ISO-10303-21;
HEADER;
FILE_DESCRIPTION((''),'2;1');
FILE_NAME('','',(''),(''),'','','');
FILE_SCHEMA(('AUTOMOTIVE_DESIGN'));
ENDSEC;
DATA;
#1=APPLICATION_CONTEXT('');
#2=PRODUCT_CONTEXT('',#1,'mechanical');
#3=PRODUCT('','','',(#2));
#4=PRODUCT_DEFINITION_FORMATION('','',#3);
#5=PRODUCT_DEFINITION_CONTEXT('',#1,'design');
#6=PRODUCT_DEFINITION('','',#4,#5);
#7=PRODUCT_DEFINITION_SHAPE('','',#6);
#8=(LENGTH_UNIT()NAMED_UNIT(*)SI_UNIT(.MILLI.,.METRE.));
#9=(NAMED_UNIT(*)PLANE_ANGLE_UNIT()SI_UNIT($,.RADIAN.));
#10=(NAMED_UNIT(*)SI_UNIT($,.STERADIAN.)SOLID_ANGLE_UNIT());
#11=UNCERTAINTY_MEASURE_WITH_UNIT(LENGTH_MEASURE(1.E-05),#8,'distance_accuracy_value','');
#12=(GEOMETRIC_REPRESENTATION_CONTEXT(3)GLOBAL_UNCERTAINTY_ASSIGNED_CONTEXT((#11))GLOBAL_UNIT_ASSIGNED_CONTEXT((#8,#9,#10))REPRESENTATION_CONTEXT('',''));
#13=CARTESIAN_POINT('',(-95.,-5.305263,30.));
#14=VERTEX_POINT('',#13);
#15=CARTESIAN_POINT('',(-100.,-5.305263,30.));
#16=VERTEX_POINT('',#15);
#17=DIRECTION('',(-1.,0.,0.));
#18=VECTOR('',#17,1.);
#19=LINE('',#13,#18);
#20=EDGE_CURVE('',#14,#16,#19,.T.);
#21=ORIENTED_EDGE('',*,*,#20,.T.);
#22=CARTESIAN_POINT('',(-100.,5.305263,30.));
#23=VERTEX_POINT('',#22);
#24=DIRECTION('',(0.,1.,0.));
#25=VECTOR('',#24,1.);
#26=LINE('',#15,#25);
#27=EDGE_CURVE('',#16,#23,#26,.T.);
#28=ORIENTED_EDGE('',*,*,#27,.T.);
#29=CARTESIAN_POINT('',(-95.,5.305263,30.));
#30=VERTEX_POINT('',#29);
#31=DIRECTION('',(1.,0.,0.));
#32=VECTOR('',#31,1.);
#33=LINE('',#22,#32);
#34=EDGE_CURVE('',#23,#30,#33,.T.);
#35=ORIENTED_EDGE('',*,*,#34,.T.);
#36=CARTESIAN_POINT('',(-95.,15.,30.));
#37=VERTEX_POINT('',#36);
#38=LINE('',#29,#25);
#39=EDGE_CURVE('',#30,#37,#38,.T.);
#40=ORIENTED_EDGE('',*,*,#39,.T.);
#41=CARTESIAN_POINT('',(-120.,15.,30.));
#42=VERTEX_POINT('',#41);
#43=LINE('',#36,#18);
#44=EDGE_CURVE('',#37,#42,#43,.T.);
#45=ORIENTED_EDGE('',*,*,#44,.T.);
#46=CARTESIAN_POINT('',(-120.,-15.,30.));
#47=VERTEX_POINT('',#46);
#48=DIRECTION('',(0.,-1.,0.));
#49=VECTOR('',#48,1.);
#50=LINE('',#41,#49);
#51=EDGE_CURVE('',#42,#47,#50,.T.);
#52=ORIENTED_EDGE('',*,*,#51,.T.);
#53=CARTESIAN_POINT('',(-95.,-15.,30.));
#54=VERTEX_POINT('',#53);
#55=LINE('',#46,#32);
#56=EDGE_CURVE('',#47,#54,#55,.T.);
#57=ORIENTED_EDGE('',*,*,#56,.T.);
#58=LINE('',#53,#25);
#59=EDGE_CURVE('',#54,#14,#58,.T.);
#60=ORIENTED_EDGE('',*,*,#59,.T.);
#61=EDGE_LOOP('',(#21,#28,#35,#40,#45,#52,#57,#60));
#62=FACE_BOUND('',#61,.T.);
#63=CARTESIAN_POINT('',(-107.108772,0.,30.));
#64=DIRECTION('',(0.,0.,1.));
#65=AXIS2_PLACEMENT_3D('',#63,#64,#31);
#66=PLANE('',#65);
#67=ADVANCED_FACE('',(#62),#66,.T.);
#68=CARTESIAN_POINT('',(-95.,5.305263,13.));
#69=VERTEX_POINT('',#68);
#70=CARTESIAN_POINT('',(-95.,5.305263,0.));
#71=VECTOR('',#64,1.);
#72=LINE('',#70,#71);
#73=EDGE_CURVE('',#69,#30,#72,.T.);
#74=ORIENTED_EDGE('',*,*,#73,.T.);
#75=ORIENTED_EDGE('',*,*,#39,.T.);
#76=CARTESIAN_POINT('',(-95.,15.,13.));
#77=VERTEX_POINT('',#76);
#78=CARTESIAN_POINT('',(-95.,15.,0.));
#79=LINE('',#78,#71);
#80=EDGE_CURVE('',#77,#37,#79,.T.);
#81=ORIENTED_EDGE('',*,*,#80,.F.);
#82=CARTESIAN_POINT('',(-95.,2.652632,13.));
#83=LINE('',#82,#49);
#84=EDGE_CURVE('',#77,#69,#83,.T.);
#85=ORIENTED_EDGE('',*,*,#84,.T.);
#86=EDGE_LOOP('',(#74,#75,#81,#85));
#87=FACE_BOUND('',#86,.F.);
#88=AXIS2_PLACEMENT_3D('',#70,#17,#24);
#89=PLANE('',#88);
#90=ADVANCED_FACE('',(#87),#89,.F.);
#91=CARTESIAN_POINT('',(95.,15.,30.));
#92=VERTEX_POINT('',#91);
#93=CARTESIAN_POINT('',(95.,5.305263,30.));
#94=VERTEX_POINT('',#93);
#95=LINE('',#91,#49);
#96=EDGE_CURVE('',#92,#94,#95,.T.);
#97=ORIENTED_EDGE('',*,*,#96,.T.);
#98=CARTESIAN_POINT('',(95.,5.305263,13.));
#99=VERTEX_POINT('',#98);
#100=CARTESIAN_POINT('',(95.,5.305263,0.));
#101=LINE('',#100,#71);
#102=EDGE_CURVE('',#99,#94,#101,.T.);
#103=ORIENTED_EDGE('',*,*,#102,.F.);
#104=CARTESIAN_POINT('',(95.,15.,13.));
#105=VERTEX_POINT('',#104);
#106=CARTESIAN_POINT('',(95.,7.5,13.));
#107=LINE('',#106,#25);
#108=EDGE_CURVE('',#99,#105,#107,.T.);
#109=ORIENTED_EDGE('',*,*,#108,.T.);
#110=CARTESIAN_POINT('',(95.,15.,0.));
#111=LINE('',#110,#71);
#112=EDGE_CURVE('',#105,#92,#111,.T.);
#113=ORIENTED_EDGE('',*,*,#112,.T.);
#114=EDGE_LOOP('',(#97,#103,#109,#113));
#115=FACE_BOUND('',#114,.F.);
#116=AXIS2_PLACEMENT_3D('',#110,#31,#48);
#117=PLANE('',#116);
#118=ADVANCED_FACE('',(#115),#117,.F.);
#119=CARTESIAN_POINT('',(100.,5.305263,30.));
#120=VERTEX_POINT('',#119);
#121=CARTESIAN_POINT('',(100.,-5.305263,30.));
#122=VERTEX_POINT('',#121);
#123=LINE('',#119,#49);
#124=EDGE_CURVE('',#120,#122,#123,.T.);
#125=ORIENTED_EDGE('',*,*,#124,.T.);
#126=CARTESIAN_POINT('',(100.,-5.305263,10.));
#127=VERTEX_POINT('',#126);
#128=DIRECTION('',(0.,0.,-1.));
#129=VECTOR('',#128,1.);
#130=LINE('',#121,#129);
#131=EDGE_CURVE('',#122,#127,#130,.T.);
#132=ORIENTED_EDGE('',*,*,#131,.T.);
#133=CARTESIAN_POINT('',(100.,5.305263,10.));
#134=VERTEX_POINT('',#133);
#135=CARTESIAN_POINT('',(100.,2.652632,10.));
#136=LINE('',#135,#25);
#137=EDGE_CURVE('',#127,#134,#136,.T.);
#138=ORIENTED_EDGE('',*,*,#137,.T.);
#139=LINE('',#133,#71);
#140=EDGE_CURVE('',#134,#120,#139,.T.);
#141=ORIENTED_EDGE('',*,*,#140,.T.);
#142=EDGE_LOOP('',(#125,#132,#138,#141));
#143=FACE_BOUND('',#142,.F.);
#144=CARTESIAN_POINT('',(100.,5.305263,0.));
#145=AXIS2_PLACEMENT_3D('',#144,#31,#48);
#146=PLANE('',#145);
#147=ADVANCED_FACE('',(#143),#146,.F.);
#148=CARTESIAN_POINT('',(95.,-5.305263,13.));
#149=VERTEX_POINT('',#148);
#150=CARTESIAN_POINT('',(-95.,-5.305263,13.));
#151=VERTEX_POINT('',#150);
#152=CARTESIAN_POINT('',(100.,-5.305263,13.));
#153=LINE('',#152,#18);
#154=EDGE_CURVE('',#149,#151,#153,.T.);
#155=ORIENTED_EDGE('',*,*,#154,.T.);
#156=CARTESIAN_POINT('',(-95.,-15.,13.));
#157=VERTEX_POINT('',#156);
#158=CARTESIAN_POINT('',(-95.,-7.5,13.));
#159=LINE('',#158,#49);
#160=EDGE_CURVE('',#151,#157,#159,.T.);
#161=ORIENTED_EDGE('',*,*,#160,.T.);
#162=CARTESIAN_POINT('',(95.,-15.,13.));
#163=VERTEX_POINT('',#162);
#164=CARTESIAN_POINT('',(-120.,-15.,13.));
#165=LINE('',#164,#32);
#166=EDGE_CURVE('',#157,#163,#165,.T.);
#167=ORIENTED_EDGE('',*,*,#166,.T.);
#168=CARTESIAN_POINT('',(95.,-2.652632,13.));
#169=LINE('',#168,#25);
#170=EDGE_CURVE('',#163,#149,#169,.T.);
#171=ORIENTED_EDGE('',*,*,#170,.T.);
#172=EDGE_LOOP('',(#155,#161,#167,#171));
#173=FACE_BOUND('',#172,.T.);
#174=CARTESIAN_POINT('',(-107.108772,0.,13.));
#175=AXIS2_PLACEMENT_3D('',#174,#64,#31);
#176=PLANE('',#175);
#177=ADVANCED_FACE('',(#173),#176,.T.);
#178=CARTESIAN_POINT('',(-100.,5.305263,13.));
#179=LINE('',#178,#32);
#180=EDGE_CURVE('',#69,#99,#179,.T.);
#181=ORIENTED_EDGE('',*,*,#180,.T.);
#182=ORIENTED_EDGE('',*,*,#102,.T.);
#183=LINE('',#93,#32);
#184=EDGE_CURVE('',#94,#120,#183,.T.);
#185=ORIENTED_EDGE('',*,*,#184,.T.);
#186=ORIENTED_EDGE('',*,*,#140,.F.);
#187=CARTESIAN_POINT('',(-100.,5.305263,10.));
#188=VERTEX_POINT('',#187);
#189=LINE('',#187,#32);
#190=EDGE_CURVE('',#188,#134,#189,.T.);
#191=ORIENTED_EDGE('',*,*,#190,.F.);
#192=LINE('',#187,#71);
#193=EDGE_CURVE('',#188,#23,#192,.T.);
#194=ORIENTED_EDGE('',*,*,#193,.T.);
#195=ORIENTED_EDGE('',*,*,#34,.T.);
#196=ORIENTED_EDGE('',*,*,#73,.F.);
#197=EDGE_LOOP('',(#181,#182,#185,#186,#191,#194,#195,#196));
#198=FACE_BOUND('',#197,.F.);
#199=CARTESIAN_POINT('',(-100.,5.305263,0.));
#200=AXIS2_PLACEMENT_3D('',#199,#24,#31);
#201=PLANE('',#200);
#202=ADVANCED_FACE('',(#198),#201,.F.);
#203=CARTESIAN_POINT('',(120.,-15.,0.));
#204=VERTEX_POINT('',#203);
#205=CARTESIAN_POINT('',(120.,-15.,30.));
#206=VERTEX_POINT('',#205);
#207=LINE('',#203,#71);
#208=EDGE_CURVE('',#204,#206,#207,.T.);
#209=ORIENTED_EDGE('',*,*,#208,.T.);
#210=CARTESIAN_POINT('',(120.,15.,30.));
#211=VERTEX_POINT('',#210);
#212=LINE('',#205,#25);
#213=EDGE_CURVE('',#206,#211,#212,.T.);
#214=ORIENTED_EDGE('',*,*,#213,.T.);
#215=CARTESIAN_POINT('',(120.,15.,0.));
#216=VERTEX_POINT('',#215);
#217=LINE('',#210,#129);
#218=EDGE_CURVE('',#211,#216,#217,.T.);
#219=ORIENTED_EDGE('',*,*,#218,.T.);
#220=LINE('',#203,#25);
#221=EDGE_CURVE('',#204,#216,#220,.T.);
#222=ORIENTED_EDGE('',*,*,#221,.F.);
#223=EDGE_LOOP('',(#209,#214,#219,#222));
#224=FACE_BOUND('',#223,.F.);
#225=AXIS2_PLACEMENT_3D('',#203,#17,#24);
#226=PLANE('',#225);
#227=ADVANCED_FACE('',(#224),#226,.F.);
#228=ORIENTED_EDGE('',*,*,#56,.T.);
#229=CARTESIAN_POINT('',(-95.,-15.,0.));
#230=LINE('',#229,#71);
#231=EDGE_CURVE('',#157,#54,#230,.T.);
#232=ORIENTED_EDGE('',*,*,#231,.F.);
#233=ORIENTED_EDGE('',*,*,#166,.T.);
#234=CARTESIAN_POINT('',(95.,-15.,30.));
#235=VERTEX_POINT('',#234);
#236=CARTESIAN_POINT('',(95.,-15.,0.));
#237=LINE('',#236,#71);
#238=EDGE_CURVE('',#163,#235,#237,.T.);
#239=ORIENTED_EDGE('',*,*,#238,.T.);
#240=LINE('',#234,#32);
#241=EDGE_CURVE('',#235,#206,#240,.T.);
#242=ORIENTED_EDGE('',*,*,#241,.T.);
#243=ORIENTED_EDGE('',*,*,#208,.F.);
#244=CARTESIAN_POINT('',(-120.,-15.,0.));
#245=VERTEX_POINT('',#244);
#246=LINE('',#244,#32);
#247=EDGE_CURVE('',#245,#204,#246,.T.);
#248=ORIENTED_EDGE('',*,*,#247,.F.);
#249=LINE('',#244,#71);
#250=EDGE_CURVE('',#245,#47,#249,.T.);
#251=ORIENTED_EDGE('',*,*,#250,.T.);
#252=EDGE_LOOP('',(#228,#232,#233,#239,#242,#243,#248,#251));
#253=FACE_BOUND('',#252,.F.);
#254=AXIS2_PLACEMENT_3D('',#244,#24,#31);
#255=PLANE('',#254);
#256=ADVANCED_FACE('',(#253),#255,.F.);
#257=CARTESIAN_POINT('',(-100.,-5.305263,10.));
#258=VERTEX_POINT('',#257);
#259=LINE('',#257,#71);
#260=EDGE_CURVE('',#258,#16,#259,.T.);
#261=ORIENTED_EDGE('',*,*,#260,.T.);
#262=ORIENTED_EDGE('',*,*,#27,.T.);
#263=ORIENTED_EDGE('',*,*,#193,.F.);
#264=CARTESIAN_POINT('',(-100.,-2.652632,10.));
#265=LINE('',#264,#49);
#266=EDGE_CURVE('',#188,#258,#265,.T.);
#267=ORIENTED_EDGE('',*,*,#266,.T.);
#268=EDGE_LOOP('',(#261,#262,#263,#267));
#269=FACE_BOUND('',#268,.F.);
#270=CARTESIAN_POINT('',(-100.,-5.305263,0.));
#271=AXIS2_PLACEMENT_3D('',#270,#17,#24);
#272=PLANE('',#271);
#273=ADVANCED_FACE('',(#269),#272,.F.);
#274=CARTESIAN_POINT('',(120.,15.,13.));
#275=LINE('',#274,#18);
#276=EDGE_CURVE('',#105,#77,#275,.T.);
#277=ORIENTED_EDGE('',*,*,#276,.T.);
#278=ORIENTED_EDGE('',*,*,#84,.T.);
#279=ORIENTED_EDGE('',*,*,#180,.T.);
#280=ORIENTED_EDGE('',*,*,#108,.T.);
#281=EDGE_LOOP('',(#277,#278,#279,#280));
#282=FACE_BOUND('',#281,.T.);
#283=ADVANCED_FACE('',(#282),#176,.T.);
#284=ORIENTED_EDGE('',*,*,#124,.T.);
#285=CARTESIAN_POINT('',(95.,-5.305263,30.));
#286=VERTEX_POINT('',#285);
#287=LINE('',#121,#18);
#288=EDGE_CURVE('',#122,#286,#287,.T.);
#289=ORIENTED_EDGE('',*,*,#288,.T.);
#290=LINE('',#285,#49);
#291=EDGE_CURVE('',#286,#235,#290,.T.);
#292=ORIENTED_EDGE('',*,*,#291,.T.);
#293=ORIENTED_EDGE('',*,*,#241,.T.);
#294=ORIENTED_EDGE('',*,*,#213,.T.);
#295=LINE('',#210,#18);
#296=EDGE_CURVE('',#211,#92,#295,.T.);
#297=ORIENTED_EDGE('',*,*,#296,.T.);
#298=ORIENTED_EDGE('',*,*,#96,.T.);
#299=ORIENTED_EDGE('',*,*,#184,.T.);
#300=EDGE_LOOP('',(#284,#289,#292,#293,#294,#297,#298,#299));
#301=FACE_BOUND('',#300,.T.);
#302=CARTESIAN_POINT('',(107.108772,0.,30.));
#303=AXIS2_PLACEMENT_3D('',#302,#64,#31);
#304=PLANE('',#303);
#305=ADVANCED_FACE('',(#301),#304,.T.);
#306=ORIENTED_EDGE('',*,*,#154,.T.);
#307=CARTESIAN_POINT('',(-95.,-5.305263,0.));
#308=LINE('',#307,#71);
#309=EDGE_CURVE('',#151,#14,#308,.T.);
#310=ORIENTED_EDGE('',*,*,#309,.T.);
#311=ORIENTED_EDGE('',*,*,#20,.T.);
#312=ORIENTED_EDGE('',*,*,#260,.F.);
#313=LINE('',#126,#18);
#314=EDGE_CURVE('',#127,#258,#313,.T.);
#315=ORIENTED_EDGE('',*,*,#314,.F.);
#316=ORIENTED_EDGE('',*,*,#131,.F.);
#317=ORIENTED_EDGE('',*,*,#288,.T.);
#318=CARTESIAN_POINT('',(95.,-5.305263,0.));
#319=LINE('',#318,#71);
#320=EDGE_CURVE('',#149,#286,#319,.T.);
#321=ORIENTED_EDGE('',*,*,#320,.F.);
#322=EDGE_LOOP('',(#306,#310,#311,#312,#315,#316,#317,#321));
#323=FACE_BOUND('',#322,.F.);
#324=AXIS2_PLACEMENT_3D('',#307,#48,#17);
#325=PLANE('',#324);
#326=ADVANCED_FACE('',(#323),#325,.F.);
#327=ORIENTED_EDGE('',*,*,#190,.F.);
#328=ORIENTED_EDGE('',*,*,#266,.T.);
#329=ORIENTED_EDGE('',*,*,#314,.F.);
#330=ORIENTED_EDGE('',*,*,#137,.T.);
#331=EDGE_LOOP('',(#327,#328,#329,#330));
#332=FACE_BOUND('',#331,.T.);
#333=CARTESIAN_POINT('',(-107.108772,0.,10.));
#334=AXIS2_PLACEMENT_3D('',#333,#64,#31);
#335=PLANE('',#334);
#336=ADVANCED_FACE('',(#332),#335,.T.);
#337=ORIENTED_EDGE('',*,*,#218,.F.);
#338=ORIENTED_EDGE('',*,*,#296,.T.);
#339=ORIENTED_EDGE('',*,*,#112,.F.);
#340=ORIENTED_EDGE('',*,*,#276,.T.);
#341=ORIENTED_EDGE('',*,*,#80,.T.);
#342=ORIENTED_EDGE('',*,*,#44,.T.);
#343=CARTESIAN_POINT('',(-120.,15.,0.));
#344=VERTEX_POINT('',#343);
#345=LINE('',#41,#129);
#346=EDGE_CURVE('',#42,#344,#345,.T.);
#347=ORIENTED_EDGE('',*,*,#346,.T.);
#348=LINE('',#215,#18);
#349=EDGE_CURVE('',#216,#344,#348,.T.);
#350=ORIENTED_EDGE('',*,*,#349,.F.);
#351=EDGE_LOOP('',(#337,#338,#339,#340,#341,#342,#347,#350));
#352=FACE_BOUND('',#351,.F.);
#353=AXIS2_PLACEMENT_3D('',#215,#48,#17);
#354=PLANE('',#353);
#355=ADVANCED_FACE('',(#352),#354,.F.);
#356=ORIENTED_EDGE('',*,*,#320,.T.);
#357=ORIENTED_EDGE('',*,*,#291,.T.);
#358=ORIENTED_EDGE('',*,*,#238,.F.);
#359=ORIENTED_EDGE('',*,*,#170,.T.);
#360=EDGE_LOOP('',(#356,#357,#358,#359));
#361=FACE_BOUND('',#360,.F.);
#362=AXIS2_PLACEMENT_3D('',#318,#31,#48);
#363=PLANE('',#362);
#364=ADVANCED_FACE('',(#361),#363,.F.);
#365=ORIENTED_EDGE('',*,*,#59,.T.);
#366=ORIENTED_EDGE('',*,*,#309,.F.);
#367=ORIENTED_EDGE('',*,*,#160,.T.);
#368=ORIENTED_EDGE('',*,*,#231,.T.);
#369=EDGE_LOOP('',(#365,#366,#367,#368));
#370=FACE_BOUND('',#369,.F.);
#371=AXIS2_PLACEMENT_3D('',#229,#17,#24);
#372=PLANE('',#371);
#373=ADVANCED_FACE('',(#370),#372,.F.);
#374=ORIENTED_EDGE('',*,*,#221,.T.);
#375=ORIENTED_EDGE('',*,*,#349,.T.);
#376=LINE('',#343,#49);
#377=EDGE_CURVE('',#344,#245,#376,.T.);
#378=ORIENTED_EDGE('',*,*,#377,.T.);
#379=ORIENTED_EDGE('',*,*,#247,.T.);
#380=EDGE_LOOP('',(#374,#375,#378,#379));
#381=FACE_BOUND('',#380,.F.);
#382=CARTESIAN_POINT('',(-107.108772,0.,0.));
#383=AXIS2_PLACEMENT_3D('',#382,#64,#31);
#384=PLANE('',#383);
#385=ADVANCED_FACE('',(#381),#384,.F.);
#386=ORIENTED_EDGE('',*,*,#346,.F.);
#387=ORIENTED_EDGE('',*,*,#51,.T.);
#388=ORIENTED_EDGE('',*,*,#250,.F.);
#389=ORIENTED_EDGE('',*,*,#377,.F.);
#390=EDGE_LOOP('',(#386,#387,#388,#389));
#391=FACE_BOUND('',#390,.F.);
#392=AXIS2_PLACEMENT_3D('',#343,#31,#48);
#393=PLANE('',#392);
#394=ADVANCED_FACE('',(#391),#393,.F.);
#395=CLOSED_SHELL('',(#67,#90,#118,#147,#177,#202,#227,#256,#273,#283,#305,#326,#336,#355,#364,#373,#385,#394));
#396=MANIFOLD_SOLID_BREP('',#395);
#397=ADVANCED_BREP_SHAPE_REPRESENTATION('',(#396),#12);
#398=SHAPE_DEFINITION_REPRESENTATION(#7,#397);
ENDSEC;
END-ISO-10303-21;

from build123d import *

# Parameters (mm, degrees)
F0_W     = 190
F0_H     = 9.6947368307
F0_H_2   = 10.6105263385
F0_W_2   = 5
F1_DEPTH = 10
F2_DEPTH = 13
F3_DEPTH = 30


with BuildPart() as f1:
    # F0 (on Top) → F1 (new body)
    with BuildSketch(Plane.XY):
        Polygon((-95, 15), (-120, 15), (-120, -15), (-95, -15), (-95, -5.3052631693), (-100, -5.3052631693), (-100, 5.3052631693), (-95, 5.3052631693), align=None)
        with Locations((0, 10.1526315846)):
            Rectangle(F0_W, F0_H)
        Polygon((120, 15), (95, 15), (95, 5.3052631693), (100, 5.3052631693), (100, -5.3052631693), (95, -5.3052631693), (95, -15), (120, -15), align=None)
        with Locations((0, -10.1526315846)):
            Rectangle(F0_W, F0_H)
        Rectangle(F0_W, F0_H_2)
        with Locations((-97.5, 0)):
            Rectangle(F0_W_2, F0_H_2)
        with Locations((97.5, 0)):
            Rectangle(F0_W_2, F0_H_2)
    extrude(amount=F1_DEPTH)

    # F0 (on Top) → F2 (join)
    with BuildSketch(Plane.XY):
        Polygon((-95, 15), (-120, 15), (-120, -15), (-95, -15), (-95, -5.3052631693), (-100, -5.3052631693), (-100, 5.3052631693), (-95, 5.3052631693), align=None)
        with Locations((0, 10.1526315846)):
            Rectangle(F0_W, F0_H)
        Polygon((120, 15), (95, 15), (95, 5.3052631693), (100, 5.3052631693), (100, -5.3052631693), (95, -5.3052631693), (95, -15), (120, -15), align=None)
        with Locations((0, -10.1526315846)):
            Rectangle(F0_W, F0_H)
    extrude(amount=F2_DEPTH)

    # F0 (on Top) → F3 (join)
    with BuildSketch(Plane.XY):
        Polygon((-95, 15), (-120, 15), (-120, -15), (-95, -15), (-95, -5.3052631693), (-100, -5.3052631693), (-100, 5.3052631693), (-95, 5.3052631693), align=None)
        Polygon((120, 15), (95, 15), (95, 5.3052631693), (100, 5.3052631693), (100, -5.3052631693), (95, -5.3052631693), (95, -15), (120, -15), align=None)
    extrude(amount=F3_DEPTH)


solid = f1.part
